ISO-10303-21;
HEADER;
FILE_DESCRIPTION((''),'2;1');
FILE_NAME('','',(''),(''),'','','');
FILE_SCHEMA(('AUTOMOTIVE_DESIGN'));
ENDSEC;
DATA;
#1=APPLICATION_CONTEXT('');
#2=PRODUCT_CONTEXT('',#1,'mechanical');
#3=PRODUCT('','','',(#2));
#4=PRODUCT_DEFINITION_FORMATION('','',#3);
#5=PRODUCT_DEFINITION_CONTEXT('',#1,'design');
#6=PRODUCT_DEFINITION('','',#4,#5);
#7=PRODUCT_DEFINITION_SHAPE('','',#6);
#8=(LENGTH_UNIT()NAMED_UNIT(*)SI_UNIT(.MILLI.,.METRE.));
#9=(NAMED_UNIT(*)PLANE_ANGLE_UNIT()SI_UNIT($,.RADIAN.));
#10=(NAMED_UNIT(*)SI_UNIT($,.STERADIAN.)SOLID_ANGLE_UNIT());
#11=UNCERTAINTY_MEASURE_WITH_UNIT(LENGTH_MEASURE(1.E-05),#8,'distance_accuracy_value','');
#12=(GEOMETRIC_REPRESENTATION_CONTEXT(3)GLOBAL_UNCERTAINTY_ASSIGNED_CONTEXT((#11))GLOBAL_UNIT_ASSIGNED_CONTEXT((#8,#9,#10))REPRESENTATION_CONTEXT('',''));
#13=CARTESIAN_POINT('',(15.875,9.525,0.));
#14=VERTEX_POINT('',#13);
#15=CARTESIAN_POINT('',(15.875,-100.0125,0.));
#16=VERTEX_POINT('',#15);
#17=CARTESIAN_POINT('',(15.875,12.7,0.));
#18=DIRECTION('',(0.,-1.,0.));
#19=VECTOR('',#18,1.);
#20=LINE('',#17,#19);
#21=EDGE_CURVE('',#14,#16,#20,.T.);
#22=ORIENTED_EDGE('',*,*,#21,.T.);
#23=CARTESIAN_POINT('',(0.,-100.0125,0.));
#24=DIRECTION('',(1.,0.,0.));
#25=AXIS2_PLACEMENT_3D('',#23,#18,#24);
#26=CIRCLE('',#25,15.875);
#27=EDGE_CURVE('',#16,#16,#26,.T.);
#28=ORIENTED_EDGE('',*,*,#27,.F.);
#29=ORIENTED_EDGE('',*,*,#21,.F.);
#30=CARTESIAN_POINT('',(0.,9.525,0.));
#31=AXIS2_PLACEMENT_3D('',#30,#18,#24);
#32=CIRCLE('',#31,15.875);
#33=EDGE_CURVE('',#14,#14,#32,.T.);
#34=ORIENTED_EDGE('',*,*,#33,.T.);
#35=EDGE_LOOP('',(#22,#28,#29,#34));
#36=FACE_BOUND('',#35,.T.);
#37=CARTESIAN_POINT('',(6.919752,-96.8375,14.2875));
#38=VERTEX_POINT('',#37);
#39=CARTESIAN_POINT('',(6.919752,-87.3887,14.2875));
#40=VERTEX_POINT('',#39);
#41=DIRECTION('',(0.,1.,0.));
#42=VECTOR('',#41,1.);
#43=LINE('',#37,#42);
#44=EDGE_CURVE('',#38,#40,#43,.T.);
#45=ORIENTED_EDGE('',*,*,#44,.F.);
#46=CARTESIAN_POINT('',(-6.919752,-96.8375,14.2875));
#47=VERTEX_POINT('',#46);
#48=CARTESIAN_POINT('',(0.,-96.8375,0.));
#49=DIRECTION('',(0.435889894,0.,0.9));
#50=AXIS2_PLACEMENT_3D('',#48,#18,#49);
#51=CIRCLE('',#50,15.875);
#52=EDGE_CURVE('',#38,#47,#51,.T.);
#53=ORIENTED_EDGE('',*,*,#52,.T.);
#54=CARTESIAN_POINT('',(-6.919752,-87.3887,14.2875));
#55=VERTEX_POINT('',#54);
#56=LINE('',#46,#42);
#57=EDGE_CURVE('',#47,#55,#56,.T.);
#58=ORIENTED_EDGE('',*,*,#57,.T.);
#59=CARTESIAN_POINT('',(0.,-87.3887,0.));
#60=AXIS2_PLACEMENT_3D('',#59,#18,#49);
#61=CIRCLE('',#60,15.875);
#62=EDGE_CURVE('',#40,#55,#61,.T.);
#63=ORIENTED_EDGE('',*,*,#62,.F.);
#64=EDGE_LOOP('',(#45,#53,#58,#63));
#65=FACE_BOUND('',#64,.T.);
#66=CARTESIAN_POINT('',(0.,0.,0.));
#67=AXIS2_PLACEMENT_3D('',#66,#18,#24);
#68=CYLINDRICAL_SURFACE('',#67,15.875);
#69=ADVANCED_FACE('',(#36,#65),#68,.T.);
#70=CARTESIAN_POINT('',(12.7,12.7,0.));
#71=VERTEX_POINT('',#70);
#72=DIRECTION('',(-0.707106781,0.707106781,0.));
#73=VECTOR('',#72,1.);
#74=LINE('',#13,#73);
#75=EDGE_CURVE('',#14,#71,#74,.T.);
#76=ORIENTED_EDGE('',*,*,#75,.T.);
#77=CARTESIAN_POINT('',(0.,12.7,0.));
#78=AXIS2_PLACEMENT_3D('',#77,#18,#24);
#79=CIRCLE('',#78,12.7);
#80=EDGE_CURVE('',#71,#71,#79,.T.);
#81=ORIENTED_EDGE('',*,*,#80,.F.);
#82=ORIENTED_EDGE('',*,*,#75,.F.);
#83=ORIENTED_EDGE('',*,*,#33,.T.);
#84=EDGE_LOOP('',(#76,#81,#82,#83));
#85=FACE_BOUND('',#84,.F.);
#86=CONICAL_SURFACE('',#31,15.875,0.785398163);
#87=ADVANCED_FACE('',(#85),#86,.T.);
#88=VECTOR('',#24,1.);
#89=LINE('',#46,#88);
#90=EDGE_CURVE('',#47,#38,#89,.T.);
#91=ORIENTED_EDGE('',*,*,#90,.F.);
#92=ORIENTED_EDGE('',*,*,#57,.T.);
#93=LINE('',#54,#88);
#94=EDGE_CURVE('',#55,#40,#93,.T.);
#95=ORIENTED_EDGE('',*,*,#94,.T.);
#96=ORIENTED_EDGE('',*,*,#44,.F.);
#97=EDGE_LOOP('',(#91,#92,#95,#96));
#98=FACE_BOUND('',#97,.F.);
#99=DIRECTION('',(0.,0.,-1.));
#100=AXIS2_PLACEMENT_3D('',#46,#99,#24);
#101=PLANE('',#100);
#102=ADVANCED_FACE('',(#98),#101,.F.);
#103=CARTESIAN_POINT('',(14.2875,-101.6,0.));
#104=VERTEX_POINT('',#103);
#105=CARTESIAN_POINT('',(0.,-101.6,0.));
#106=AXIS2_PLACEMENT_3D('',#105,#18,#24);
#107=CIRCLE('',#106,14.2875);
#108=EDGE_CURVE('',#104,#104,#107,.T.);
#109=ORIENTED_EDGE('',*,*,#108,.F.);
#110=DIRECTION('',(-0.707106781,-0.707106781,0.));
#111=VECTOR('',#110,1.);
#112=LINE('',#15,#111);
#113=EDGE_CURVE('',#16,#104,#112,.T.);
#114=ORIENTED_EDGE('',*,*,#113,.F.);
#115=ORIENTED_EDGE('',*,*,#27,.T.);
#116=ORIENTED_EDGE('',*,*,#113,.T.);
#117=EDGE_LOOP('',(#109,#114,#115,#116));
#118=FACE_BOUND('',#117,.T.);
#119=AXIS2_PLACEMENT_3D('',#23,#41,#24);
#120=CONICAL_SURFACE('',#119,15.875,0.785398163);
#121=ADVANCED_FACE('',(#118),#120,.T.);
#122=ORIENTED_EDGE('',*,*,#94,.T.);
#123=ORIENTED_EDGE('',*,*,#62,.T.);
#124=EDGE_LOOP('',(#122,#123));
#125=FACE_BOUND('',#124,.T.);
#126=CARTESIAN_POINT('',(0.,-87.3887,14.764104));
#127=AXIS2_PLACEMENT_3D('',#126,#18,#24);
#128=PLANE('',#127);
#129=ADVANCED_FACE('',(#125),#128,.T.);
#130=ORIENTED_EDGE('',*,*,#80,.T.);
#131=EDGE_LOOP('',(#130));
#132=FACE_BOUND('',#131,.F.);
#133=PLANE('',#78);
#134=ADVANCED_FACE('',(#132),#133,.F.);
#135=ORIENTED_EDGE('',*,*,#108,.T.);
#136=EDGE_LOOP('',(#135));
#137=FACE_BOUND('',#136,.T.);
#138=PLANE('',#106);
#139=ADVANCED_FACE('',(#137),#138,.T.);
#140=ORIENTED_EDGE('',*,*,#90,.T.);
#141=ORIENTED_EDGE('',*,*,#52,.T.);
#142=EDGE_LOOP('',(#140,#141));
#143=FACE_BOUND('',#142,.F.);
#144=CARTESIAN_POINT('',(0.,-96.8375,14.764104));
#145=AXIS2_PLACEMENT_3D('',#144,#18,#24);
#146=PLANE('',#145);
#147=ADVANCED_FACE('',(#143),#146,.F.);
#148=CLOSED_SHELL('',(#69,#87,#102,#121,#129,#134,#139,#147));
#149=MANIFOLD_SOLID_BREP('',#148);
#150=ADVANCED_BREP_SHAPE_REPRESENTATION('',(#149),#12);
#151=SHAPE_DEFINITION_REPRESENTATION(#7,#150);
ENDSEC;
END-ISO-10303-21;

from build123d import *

# Parameters (mm, degrees)
F0_R          = 15.875
F1_DEPTH      = 101.6
F1_DEPTH_BACK = 12.7
F2_SIZE       = 1.5875
F3_SIZE       = 3.175
F5_START      = -4.7625
F5_DEPTH      = 9.4488


with BuildPart() as f1:
    # F0 (on Front) → F1 (new body, two sides)
    with BuildSketch(Plane.XZ) as f1_sk:
        Circle(F0_R)
    extrude(amount=F1_DEPTH)
    extrude(f1_sk.sketch, amount=-F1_DEPTH_BACK)

    # F2
    f2_edges = [f1.edges().sort_by_distance(p)[0] for p in [
        (-15.875, -101.6, 0),
    ]]
    chamfer(f2_edges, length=F2_SIZE)

    # F3
    f3_edges = [f1.edges().sort_by_distance(p)[0] for p in [
        (-15.875, 12.7, 0),
    ]]
    chamfer(f3_edges, length=F3_SIZE)

    # F4 (on face) → F5 (cut)
    with BuildSketch(Plane.XZ.offset(101.6).offset(F5_START)):
        with BuildLine():
            Line((0, 14.2875), (6.9197520729, 14.2875))
            ThreePointArc((6.9197520729, 14.2875), (0, 15.875), (-6.9197520729, 14.2875))
            Line((-6.9197520729, 14.2875), (0, 14.2875))
        make_face()
    extrude(amount=-F5_DEPTH, mode=Mode.SUBTRACT)


solid = f1.part
